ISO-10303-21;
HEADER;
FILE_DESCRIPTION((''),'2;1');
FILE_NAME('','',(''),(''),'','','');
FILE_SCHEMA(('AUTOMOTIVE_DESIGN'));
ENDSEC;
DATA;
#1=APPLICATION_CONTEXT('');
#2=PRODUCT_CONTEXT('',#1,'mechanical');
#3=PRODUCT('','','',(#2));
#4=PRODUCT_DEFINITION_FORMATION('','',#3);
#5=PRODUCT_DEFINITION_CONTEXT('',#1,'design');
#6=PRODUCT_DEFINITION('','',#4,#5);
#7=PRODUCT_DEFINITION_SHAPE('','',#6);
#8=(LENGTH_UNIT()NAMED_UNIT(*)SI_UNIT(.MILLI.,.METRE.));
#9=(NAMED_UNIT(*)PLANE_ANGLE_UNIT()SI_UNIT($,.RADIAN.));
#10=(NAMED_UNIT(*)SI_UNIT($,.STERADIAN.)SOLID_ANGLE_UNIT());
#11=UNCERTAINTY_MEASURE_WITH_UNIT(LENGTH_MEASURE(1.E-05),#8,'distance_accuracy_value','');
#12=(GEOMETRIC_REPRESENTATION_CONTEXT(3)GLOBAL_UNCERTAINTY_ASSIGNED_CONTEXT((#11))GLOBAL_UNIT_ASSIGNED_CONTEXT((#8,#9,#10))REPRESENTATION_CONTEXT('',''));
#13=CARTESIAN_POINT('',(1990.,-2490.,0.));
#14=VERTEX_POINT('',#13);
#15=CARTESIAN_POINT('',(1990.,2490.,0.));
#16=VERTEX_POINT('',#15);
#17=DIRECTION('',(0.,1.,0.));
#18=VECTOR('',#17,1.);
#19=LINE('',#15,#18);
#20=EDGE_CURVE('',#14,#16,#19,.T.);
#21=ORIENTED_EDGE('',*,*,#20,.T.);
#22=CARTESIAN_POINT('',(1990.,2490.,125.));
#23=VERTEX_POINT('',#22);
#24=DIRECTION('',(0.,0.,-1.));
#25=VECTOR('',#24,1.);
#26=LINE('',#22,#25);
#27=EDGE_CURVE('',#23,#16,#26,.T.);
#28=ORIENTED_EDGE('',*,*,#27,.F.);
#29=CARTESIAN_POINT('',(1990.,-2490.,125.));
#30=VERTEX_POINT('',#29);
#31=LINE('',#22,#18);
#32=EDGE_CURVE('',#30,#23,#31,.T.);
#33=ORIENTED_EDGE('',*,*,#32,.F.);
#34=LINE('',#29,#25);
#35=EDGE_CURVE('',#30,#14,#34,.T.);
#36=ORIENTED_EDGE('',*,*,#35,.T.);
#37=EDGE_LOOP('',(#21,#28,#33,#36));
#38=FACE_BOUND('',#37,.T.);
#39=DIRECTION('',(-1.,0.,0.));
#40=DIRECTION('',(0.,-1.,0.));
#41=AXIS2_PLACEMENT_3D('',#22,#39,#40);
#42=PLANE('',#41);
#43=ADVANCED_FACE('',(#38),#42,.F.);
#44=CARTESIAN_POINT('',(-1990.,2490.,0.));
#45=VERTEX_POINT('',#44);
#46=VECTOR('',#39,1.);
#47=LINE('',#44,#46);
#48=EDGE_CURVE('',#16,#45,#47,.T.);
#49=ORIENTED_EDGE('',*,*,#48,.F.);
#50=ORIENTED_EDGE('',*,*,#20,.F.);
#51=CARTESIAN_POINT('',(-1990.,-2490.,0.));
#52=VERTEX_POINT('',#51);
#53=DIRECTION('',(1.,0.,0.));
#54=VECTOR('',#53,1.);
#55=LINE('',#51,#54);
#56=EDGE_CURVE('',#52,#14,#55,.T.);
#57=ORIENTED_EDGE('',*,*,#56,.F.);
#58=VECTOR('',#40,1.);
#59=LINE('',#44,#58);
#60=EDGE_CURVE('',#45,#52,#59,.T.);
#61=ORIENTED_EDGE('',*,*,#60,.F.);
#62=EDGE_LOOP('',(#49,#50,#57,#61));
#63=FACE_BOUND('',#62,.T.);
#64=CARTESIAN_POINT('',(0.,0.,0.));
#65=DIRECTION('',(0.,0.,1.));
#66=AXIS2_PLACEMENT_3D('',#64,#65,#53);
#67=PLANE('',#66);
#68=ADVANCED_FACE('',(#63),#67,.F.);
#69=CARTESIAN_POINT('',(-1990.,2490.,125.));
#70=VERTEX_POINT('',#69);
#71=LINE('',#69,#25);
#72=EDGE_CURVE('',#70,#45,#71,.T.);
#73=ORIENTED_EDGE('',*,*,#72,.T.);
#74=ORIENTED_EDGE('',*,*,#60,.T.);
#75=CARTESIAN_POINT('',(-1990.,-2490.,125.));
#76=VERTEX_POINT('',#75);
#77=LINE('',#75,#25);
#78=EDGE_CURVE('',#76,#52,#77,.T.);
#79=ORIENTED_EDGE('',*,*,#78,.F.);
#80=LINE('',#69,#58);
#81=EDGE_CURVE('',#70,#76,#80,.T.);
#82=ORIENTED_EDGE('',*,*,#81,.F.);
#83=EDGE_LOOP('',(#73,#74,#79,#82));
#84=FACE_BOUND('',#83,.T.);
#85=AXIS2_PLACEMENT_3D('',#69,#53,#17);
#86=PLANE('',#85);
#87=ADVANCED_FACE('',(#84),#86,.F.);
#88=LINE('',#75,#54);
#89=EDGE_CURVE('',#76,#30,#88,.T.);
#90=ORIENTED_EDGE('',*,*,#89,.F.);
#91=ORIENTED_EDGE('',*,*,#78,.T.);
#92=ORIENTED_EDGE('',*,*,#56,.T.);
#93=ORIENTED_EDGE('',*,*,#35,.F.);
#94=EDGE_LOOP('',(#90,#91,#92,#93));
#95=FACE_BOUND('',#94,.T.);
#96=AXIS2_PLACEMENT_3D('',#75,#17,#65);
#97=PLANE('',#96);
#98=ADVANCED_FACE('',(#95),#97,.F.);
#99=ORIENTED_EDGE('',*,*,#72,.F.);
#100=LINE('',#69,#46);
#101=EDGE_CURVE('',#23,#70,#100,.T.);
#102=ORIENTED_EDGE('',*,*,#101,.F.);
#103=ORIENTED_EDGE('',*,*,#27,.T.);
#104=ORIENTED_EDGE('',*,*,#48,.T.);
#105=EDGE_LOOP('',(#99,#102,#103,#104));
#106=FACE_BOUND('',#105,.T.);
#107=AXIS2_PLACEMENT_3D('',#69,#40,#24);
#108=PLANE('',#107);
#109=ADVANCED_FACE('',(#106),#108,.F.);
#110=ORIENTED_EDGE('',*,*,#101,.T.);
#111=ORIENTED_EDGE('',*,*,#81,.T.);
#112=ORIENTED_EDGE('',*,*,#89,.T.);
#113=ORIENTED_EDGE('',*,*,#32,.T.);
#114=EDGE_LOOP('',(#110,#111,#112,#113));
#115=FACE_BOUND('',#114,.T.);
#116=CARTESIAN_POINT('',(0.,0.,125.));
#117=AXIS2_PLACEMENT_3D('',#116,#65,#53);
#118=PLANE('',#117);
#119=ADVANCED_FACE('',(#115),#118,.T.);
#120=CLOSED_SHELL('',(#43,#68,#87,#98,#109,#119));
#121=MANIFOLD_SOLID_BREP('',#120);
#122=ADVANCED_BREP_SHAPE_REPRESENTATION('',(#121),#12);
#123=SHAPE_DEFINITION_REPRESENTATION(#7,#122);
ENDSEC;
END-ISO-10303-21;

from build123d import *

# Parameters (mm, degrees)
SKETCH_1_W      = 3980
SKETCH_1_H      = 4980
EXTRUDE_1_DEPTH = 125


with BuildPart() as part:
    # 草图1 → 凸台-拉伸1 (new body)
    with BuildSketch(Plane.XY):
        Rectangle(SKETCH_1_W, SKETCH_1_H)
    extrude(amount=EXTRUDE_1_DEPTH)


solid = part.part
